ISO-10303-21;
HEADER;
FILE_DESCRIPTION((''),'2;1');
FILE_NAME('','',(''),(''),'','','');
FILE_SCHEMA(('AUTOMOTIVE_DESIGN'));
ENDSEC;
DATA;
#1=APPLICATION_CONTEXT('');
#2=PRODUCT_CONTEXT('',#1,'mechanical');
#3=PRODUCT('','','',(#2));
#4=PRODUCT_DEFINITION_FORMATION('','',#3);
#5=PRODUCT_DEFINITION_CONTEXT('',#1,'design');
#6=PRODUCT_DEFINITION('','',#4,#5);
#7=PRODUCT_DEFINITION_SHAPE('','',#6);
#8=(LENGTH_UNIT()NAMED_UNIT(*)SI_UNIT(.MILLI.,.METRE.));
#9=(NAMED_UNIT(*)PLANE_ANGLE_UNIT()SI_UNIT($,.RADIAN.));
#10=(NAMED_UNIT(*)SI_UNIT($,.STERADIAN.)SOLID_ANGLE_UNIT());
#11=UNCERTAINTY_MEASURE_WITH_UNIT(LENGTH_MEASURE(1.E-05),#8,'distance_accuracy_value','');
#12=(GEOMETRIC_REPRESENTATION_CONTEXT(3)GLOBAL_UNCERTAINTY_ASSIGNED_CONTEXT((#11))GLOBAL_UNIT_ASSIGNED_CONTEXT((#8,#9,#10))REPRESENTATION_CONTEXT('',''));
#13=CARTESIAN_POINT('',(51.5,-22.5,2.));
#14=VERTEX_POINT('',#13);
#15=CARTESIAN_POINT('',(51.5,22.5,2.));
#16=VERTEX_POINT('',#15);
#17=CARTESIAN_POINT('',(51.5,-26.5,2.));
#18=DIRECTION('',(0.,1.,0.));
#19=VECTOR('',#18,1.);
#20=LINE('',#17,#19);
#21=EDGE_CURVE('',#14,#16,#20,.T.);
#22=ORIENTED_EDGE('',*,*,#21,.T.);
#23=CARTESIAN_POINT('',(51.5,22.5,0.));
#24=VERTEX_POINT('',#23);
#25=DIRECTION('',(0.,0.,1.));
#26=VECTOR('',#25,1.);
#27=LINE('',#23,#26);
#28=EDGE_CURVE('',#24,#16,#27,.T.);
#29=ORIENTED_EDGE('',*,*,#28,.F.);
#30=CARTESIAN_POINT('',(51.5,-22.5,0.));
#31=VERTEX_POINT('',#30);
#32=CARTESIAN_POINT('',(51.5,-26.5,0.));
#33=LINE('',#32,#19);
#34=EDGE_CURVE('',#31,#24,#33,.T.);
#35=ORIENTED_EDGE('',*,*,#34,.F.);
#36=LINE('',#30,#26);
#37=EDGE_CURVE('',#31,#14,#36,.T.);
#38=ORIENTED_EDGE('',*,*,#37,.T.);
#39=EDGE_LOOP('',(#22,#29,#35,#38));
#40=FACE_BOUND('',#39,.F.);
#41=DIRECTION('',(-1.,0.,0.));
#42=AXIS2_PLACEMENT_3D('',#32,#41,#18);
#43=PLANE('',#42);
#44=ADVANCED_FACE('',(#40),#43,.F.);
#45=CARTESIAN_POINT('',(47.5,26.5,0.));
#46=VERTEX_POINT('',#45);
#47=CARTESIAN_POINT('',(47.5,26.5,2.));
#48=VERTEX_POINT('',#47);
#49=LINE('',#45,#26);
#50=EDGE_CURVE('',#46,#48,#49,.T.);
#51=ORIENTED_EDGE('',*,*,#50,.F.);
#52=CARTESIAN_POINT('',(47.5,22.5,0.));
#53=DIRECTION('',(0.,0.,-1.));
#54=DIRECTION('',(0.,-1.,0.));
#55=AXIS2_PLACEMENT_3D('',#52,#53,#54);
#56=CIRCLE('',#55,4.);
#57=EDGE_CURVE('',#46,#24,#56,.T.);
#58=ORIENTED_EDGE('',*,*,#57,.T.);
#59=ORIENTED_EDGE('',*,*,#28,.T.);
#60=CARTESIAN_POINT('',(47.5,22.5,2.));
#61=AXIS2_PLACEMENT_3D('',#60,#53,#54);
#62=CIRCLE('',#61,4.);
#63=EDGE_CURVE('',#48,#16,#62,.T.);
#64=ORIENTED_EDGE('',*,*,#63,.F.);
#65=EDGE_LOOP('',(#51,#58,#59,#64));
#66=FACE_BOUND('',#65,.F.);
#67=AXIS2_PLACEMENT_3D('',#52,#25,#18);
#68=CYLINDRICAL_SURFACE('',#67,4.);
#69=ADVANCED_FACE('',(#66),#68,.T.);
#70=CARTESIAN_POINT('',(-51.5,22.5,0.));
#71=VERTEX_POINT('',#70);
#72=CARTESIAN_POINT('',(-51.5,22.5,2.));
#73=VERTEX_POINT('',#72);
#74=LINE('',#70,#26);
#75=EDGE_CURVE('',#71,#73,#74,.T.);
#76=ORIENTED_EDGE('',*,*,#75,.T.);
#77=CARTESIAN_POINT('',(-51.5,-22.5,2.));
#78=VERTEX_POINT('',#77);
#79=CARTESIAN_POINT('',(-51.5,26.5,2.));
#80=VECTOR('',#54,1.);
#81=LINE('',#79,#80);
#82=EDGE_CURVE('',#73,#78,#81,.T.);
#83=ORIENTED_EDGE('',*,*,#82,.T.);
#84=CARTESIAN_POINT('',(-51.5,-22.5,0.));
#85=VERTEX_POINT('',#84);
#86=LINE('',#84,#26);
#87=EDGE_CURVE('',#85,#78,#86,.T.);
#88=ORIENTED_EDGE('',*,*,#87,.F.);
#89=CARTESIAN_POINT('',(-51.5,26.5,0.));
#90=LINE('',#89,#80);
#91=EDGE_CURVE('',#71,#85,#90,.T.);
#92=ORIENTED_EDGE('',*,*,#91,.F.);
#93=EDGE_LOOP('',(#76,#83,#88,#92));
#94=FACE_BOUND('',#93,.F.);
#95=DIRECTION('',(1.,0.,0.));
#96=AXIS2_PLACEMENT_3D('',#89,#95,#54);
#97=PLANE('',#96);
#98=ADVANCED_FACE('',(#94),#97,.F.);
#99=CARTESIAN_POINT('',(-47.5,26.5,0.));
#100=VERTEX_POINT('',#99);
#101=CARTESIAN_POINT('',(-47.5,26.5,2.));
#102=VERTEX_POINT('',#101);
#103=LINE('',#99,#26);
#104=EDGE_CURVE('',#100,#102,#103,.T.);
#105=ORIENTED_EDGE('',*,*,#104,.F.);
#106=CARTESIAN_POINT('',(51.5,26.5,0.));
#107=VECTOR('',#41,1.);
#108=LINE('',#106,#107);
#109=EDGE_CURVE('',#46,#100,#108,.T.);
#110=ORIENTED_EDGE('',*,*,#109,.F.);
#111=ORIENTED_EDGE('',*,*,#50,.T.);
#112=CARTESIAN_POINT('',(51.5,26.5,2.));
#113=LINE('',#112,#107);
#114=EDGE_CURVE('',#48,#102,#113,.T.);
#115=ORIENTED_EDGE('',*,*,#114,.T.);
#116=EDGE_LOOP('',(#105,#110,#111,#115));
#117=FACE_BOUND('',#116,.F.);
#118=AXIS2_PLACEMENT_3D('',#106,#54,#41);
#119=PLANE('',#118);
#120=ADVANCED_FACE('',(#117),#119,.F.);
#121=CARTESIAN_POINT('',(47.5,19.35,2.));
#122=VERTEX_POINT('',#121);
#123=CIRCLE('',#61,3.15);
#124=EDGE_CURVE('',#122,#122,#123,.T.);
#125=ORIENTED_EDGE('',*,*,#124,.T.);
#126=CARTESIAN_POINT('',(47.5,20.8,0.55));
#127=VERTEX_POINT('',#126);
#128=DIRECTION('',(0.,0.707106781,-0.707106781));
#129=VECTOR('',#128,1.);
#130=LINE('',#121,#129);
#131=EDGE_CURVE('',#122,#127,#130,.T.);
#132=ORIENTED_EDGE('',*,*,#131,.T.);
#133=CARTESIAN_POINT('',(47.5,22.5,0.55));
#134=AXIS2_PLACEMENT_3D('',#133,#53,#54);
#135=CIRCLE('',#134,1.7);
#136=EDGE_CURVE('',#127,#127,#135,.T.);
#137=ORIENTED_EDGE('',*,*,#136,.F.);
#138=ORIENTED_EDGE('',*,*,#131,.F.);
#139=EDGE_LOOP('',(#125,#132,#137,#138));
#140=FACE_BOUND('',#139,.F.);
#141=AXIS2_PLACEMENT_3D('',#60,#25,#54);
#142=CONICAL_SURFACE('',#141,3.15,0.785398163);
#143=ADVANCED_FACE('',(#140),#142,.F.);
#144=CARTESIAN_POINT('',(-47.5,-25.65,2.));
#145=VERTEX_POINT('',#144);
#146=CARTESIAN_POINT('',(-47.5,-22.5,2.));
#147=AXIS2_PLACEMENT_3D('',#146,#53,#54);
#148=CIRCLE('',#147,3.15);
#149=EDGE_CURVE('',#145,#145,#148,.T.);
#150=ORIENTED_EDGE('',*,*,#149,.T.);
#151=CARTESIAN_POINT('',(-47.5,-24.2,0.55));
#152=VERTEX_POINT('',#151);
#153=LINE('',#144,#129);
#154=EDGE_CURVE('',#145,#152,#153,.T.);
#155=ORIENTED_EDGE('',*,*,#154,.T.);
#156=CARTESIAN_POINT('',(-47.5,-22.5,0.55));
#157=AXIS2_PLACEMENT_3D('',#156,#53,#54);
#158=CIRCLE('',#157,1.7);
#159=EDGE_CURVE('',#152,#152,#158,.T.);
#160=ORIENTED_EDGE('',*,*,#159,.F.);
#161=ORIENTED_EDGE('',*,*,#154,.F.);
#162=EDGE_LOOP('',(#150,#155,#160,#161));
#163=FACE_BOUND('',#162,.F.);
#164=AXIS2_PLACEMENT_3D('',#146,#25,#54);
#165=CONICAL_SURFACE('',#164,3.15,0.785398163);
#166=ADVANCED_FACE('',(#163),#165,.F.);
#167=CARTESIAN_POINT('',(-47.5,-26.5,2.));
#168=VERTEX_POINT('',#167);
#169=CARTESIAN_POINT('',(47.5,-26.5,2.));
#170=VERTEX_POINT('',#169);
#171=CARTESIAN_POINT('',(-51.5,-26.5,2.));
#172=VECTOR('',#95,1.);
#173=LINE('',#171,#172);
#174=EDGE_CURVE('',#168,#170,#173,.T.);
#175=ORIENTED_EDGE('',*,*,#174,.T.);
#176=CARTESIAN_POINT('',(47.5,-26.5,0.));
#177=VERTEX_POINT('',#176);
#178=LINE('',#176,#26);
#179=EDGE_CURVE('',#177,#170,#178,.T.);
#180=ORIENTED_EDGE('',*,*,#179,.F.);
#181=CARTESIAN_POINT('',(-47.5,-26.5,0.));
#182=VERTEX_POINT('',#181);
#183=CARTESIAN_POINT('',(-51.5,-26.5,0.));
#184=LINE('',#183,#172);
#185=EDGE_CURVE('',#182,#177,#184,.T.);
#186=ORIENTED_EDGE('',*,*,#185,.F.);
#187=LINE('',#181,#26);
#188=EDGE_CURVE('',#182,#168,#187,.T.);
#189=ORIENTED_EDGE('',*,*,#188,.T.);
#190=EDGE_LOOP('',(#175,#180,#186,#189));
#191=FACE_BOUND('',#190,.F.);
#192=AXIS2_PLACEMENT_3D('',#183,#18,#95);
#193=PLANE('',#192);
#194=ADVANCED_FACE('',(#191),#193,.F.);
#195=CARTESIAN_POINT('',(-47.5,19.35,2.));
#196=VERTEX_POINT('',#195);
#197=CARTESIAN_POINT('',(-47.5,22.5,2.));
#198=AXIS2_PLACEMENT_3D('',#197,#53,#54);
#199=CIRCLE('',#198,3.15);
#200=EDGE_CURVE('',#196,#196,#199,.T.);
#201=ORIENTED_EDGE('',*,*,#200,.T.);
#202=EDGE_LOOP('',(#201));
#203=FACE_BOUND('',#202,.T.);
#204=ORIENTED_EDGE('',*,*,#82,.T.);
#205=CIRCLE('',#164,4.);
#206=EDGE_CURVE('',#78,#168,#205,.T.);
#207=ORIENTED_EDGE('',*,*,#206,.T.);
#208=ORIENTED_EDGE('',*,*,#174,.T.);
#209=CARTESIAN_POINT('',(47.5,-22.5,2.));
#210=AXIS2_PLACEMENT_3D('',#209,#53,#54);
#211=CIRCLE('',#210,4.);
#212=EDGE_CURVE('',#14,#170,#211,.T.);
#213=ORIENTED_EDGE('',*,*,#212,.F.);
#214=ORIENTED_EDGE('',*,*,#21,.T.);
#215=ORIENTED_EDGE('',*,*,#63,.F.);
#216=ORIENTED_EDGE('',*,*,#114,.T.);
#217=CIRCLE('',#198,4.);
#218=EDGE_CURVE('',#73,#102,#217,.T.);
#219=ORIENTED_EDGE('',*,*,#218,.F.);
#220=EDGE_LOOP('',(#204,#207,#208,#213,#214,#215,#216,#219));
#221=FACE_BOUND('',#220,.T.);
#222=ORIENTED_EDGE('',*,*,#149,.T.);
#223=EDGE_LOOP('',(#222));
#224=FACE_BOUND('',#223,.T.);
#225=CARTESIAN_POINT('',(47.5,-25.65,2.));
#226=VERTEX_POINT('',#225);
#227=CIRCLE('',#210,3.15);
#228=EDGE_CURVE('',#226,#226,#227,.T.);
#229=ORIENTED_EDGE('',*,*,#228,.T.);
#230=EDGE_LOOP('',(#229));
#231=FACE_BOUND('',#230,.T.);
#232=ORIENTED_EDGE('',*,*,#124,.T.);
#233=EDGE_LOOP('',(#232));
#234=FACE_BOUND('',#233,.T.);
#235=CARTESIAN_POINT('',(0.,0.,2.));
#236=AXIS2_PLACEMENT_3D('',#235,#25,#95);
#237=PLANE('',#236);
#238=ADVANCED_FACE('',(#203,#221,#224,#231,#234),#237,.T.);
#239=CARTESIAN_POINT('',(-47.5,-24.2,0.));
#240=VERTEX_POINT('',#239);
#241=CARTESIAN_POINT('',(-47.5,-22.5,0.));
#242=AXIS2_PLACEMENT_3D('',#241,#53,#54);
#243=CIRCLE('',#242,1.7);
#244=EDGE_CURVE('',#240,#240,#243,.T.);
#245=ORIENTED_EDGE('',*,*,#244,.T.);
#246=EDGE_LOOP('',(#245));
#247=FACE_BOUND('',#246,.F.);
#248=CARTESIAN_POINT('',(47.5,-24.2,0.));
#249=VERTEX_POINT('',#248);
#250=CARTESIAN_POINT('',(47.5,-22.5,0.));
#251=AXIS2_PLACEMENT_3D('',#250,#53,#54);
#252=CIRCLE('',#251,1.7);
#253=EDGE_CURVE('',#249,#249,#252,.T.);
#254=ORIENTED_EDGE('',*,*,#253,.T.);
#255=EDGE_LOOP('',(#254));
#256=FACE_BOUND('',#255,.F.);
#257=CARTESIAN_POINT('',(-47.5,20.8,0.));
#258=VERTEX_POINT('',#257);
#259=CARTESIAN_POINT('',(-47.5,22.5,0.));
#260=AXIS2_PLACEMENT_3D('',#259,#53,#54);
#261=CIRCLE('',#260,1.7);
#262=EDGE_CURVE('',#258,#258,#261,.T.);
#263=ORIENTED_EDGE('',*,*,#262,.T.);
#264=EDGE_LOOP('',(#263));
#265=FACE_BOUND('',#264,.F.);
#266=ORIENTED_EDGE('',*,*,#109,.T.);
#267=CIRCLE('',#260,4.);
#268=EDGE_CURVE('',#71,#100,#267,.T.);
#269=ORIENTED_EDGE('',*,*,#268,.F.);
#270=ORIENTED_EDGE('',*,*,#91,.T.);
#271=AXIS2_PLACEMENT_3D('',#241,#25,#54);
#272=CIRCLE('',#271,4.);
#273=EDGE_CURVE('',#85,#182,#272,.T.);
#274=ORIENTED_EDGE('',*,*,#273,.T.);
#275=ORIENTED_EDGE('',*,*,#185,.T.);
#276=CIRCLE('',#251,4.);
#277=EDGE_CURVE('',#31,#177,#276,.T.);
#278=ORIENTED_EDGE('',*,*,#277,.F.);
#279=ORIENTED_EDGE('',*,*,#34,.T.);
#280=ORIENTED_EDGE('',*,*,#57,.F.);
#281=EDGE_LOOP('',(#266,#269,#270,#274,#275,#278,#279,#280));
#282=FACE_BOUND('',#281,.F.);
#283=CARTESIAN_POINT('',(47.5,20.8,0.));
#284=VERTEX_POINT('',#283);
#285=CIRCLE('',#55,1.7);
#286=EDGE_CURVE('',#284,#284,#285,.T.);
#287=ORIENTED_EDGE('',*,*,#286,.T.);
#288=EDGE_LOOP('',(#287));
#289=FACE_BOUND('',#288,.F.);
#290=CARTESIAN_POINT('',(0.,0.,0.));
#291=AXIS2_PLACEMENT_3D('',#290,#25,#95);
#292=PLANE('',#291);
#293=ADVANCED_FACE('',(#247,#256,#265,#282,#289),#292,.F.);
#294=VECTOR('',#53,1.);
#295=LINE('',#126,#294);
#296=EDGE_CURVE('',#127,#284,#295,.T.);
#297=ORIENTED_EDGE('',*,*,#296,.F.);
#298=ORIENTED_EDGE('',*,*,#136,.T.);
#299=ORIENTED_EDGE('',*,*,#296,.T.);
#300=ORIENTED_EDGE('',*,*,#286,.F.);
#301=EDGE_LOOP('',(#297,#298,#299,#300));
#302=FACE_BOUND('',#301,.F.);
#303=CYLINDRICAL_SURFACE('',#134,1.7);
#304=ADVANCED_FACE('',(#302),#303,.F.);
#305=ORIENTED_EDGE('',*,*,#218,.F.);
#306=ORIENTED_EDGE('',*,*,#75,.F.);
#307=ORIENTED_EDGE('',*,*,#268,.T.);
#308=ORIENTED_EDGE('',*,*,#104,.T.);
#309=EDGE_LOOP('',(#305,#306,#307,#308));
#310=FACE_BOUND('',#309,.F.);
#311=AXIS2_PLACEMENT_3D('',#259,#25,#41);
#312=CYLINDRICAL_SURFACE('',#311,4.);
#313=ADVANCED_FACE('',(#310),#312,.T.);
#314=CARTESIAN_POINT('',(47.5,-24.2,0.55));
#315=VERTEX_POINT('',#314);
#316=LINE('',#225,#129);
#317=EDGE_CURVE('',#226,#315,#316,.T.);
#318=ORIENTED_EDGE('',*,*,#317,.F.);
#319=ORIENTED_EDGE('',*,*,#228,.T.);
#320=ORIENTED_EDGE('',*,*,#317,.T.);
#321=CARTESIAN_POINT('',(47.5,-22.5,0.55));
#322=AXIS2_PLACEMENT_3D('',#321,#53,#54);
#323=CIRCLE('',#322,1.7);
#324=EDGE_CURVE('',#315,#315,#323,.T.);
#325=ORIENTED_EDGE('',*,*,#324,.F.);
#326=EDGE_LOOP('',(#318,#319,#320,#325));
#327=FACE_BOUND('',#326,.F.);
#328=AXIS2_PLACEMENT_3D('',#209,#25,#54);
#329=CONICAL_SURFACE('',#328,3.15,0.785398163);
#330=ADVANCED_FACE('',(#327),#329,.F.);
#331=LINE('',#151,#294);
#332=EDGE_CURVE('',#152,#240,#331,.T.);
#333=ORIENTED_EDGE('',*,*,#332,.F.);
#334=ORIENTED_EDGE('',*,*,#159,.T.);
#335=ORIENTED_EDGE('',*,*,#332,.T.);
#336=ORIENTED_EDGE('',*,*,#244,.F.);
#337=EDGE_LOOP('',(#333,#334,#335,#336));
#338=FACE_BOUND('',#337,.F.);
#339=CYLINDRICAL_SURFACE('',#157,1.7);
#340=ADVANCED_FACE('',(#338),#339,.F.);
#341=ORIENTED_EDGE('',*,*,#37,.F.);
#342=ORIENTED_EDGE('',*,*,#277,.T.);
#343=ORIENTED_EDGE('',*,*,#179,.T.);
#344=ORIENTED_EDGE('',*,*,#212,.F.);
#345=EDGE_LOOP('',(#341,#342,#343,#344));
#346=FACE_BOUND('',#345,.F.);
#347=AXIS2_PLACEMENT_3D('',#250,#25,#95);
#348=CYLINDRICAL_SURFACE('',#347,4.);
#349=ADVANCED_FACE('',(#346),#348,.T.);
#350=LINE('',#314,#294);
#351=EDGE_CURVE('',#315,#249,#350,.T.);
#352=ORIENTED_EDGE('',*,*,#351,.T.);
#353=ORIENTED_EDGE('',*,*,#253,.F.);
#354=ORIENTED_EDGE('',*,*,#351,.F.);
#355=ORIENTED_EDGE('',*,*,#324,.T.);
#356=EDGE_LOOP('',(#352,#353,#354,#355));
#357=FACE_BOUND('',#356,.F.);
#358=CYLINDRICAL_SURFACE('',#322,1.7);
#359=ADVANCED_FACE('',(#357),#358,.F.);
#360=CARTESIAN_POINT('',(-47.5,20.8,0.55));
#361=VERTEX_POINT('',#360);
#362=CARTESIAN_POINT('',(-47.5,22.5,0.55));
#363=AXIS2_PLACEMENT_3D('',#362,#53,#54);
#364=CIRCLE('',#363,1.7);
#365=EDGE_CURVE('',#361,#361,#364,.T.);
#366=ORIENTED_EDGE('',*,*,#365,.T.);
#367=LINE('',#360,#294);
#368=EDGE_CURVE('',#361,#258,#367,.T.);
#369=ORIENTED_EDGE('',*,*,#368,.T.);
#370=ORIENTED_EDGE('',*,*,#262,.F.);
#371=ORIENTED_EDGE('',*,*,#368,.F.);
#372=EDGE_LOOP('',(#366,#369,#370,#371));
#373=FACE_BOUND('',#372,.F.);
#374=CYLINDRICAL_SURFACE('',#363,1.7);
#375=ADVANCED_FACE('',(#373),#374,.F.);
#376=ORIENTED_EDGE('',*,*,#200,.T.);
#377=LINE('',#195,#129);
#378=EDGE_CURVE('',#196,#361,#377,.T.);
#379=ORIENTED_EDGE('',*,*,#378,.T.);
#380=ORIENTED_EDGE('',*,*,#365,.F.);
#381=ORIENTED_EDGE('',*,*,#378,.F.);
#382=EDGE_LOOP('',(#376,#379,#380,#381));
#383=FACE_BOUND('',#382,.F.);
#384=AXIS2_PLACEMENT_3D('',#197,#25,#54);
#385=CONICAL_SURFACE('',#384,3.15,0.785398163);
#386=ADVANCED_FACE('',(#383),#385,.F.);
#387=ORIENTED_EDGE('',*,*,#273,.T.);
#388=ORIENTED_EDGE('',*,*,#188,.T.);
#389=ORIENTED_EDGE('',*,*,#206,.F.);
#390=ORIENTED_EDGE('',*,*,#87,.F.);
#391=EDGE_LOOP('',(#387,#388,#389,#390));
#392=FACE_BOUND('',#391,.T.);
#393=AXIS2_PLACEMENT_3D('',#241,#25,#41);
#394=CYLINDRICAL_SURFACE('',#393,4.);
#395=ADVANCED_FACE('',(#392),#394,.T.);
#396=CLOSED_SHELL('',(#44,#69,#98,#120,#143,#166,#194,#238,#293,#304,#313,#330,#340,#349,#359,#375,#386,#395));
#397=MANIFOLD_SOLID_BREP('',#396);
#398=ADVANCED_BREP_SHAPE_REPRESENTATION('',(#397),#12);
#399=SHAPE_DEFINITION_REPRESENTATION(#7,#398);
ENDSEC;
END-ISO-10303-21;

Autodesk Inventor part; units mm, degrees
ref_plane "YZ Plane" through (0, 0, 0) normal (1, 0, 0) x (0, 1, 0)
ref_plane "XZ Plane" through (0, 0, 0) normal (0, 1, 0) x (-1, 0, 0)
ref_plane "XY Plane" through (0, 0, 0) normal (0, 0, 1) x (1, 0, 0)
sketch "Sketch1" plane through (0, 0, 0) normal (0, 0, 1) x (1, 0, 0)
  line L0 (-51.5, -26.5) -> (51.5, -26.5)
  line L1 (51.5, -26.5) -> (51.5, 26.5)
  line L2 (51.5, 26.5) -> (-51.5, 26.5)
  line L3 (-51.5, 26.5) -> (-51.5, -26.5)
  line L4 (-51.5, -26.5) -> (51.5, 26.5) construction
  line L5 (51.5, -26.5) -> (-51.5, 26.5) construction
  point P0 (0, 0)
  dimension "d0" = 103
  dimension "d1" = 53
extrude "Extrusion1" add sketch "Sketch1" along normal blind 2
fillet "Fillet1" radius 4 4 edges at (-51.5, -26.5, 1) (-51.5, 26.5, 1) (51.5, -26.5, 1) (51.5, 26.5, 1)
sketch "Sketch2" plane through (0, 0, 2) normal (0, 0, 1) x (1, 0, 0)
  line L0 (-47.5, -22.5) -> (47.5, -22.5) construction
  line L1 (47.5, -22.5) -> (47.5, 22.5) construction
  line L2 (47.5, 22.5) -> (-47.5, 22.5) construction
  line L3 (-47.5, 22.5) -> (-47.5, -22.5) construction
  line L4 (-47.5, -22.5) -> (47.5, 22.5) construction
  line L5 (47.5, -22.5) -> (-47.5, 22.5) construction
  point P0 (0, 0)
  dimension "d5" = 95
  dimension "d6" = 45
hole "Hole1" at (-47.5, 22.5, 2) at (-47.5, -22.5, 2) at (47.5, -22.5, 2) at (47.5, 22.5, 2) direction (0, 0, -1) diameter 3.4 end through all countersink diameter 6.3 countersink angle 90 clearance for "Countersunk Flat Head Screw DIN EN ISO 2009" size "M3" standard "DIN"
properties part number "Frontplatte"
